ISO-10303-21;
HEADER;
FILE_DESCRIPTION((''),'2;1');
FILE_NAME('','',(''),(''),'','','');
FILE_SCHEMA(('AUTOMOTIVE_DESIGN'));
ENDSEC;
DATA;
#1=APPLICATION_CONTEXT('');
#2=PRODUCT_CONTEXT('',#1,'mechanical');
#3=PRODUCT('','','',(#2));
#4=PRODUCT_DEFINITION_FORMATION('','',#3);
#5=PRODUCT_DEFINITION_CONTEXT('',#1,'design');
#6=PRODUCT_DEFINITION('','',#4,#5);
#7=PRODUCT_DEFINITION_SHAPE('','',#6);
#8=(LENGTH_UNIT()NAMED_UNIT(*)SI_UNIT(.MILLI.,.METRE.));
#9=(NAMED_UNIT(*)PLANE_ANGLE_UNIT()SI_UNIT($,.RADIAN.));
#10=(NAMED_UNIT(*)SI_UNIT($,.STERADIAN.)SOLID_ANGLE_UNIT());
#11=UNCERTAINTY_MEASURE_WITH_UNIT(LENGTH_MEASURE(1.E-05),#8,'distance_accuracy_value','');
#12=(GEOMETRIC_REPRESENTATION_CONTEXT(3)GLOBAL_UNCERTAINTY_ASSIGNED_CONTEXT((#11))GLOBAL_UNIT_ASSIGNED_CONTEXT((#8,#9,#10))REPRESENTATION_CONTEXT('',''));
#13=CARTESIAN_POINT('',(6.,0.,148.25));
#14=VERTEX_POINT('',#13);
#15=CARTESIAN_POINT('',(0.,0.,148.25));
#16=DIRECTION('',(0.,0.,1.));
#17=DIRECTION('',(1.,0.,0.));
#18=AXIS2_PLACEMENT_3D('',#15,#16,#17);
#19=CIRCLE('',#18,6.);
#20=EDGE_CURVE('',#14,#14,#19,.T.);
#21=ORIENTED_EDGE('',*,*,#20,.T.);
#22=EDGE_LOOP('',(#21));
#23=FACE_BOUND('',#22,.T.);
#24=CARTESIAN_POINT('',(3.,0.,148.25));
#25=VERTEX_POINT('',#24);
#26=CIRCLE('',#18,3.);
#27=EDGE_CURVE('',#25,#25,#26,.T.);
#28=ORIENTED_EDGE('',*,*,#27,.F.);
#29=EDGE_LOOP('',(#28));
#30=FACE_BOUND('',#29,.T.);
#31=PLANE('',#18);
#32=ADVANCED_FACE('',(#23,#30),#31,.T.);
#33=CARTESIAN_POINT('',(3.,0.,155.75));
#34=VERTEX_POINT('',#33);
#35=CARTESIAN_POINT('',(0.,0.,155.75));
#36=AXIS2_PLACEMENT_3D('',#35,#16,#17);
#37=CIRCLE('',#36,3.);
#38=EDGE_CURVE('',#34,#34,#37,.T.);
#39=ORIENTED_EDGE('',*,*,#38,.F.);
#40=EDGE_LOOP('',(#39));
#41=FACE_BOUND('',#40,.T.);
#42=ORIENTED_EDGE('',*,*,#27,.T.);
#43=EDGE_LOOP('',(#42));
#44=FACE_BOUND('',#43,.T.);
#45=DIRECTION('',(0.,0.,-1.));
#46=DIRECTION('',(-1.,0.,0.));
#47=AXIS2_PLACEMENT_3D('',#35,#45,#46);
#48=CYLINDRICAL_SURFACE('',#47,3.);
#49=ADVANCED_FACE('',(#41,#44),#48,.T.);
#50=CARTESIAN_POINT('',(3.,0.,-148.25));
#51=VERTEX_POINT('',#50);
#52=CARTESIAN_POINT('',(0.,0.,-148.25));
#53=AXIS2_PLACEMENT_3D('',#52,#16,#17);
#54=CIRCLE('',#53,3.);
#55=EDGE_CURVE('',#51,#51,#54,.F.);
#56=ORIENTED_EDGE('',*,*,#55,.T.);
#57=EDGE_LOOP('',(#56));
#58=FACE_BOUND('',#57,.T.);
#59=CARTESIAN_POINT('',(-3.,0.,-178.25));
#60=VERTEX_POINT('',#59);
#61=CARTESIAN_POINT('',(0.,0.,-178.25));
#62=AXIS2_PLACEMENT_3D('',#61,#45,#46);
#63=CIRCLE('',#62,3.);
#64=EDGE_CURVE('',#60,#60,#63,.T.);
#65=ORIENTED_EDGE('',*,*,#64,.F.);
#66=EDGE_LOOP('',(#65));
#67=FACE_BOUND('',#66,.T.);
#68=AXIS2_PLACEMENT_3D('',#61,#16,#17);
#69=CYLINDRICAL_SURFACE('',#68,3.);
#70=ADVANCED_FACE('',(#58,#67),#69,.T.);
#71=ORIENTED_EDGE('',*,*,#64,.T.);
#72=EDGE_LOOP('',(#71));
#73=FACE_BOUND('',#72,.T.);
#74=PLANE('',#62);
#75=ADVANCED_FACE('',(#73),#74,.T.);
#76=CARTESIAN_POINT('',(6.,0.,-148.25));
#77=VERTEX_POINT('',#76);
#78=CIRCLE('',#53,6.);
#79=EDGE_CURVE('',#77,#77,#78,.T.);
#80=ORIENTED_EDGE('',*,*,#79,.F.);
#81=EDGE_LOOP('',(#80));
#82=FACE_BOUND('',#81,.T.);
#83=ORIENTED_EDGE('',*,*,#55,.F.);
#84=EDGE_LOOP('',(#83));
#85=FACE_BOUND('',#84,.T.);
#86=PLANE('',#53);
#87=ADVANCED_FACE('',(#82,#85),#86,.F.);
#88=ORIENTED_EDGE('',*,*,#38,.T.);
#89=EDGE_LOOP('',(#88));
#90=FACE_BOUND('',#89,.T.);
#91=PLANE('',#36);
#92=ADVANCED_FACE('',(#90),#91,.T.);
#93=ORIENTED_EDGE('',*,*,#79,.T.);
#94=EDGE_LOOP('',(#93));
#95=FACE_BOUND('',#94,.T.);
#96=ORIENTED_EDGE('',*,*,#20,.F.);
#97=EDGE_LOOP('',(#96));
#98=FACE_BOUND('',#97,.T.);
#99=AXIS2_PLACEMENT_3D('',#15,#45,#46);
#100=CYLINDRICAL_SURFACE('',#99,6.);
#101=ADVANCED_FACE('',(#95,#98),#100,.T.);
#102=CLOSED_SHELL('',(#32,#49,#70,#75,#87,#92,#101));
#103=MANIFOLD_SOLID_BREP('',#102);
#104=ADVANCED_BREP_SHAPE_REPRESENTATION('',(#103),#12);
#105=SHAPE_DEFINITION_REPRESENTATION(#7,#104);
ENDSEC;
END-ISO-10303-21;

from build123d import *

# Parameters (mm, degrees)
SKETCH1_R           = 6
BOSS_EXTRUDE1_DEPTH = 148.25
SKETCH2_R           = 3
BOSS_EXTRUDE2_DEPTH = 7.5
BOSS_EXTRUDE3_START = 30
SKETCH3_R           = 3
BOSS_EXTRUDE3_DEPTH = 30


with BuildPart() as part:
    # Sketch1 → Boss-Extrude1 (new, symmetric)
    with BuildSketch(Plane.XY):
        Circle(SKETCH1_R)
    extrude(amount=BOSS_EXTRUDE1_DEPTH, both=True)

    # Sketch2 → Boss-Extrude2 (add)
    with BuildSketch(Plane.XY.offset(148.25)):
        Circle(SKETCH2_R)
    extrude(amount=BOSS_EXTRUDE2_DEPTH)

    # Sketch3 → Boss-Extrude3 (add)
    with BuildSketch(Plane(origin=(0, 0, -148.25), x_dir=(-1, 0, 0), z_dir=(0, 0, -1)).offset(BOSS_EXTRUDE3_START)):
        with Locations(Location((0, 0, 0), (0, 0, 180))):
            Circle(SKETCH3_R)
    extrude(amount=-BOSS_EXTRUDE3_DEPTH)


solid = part.part
